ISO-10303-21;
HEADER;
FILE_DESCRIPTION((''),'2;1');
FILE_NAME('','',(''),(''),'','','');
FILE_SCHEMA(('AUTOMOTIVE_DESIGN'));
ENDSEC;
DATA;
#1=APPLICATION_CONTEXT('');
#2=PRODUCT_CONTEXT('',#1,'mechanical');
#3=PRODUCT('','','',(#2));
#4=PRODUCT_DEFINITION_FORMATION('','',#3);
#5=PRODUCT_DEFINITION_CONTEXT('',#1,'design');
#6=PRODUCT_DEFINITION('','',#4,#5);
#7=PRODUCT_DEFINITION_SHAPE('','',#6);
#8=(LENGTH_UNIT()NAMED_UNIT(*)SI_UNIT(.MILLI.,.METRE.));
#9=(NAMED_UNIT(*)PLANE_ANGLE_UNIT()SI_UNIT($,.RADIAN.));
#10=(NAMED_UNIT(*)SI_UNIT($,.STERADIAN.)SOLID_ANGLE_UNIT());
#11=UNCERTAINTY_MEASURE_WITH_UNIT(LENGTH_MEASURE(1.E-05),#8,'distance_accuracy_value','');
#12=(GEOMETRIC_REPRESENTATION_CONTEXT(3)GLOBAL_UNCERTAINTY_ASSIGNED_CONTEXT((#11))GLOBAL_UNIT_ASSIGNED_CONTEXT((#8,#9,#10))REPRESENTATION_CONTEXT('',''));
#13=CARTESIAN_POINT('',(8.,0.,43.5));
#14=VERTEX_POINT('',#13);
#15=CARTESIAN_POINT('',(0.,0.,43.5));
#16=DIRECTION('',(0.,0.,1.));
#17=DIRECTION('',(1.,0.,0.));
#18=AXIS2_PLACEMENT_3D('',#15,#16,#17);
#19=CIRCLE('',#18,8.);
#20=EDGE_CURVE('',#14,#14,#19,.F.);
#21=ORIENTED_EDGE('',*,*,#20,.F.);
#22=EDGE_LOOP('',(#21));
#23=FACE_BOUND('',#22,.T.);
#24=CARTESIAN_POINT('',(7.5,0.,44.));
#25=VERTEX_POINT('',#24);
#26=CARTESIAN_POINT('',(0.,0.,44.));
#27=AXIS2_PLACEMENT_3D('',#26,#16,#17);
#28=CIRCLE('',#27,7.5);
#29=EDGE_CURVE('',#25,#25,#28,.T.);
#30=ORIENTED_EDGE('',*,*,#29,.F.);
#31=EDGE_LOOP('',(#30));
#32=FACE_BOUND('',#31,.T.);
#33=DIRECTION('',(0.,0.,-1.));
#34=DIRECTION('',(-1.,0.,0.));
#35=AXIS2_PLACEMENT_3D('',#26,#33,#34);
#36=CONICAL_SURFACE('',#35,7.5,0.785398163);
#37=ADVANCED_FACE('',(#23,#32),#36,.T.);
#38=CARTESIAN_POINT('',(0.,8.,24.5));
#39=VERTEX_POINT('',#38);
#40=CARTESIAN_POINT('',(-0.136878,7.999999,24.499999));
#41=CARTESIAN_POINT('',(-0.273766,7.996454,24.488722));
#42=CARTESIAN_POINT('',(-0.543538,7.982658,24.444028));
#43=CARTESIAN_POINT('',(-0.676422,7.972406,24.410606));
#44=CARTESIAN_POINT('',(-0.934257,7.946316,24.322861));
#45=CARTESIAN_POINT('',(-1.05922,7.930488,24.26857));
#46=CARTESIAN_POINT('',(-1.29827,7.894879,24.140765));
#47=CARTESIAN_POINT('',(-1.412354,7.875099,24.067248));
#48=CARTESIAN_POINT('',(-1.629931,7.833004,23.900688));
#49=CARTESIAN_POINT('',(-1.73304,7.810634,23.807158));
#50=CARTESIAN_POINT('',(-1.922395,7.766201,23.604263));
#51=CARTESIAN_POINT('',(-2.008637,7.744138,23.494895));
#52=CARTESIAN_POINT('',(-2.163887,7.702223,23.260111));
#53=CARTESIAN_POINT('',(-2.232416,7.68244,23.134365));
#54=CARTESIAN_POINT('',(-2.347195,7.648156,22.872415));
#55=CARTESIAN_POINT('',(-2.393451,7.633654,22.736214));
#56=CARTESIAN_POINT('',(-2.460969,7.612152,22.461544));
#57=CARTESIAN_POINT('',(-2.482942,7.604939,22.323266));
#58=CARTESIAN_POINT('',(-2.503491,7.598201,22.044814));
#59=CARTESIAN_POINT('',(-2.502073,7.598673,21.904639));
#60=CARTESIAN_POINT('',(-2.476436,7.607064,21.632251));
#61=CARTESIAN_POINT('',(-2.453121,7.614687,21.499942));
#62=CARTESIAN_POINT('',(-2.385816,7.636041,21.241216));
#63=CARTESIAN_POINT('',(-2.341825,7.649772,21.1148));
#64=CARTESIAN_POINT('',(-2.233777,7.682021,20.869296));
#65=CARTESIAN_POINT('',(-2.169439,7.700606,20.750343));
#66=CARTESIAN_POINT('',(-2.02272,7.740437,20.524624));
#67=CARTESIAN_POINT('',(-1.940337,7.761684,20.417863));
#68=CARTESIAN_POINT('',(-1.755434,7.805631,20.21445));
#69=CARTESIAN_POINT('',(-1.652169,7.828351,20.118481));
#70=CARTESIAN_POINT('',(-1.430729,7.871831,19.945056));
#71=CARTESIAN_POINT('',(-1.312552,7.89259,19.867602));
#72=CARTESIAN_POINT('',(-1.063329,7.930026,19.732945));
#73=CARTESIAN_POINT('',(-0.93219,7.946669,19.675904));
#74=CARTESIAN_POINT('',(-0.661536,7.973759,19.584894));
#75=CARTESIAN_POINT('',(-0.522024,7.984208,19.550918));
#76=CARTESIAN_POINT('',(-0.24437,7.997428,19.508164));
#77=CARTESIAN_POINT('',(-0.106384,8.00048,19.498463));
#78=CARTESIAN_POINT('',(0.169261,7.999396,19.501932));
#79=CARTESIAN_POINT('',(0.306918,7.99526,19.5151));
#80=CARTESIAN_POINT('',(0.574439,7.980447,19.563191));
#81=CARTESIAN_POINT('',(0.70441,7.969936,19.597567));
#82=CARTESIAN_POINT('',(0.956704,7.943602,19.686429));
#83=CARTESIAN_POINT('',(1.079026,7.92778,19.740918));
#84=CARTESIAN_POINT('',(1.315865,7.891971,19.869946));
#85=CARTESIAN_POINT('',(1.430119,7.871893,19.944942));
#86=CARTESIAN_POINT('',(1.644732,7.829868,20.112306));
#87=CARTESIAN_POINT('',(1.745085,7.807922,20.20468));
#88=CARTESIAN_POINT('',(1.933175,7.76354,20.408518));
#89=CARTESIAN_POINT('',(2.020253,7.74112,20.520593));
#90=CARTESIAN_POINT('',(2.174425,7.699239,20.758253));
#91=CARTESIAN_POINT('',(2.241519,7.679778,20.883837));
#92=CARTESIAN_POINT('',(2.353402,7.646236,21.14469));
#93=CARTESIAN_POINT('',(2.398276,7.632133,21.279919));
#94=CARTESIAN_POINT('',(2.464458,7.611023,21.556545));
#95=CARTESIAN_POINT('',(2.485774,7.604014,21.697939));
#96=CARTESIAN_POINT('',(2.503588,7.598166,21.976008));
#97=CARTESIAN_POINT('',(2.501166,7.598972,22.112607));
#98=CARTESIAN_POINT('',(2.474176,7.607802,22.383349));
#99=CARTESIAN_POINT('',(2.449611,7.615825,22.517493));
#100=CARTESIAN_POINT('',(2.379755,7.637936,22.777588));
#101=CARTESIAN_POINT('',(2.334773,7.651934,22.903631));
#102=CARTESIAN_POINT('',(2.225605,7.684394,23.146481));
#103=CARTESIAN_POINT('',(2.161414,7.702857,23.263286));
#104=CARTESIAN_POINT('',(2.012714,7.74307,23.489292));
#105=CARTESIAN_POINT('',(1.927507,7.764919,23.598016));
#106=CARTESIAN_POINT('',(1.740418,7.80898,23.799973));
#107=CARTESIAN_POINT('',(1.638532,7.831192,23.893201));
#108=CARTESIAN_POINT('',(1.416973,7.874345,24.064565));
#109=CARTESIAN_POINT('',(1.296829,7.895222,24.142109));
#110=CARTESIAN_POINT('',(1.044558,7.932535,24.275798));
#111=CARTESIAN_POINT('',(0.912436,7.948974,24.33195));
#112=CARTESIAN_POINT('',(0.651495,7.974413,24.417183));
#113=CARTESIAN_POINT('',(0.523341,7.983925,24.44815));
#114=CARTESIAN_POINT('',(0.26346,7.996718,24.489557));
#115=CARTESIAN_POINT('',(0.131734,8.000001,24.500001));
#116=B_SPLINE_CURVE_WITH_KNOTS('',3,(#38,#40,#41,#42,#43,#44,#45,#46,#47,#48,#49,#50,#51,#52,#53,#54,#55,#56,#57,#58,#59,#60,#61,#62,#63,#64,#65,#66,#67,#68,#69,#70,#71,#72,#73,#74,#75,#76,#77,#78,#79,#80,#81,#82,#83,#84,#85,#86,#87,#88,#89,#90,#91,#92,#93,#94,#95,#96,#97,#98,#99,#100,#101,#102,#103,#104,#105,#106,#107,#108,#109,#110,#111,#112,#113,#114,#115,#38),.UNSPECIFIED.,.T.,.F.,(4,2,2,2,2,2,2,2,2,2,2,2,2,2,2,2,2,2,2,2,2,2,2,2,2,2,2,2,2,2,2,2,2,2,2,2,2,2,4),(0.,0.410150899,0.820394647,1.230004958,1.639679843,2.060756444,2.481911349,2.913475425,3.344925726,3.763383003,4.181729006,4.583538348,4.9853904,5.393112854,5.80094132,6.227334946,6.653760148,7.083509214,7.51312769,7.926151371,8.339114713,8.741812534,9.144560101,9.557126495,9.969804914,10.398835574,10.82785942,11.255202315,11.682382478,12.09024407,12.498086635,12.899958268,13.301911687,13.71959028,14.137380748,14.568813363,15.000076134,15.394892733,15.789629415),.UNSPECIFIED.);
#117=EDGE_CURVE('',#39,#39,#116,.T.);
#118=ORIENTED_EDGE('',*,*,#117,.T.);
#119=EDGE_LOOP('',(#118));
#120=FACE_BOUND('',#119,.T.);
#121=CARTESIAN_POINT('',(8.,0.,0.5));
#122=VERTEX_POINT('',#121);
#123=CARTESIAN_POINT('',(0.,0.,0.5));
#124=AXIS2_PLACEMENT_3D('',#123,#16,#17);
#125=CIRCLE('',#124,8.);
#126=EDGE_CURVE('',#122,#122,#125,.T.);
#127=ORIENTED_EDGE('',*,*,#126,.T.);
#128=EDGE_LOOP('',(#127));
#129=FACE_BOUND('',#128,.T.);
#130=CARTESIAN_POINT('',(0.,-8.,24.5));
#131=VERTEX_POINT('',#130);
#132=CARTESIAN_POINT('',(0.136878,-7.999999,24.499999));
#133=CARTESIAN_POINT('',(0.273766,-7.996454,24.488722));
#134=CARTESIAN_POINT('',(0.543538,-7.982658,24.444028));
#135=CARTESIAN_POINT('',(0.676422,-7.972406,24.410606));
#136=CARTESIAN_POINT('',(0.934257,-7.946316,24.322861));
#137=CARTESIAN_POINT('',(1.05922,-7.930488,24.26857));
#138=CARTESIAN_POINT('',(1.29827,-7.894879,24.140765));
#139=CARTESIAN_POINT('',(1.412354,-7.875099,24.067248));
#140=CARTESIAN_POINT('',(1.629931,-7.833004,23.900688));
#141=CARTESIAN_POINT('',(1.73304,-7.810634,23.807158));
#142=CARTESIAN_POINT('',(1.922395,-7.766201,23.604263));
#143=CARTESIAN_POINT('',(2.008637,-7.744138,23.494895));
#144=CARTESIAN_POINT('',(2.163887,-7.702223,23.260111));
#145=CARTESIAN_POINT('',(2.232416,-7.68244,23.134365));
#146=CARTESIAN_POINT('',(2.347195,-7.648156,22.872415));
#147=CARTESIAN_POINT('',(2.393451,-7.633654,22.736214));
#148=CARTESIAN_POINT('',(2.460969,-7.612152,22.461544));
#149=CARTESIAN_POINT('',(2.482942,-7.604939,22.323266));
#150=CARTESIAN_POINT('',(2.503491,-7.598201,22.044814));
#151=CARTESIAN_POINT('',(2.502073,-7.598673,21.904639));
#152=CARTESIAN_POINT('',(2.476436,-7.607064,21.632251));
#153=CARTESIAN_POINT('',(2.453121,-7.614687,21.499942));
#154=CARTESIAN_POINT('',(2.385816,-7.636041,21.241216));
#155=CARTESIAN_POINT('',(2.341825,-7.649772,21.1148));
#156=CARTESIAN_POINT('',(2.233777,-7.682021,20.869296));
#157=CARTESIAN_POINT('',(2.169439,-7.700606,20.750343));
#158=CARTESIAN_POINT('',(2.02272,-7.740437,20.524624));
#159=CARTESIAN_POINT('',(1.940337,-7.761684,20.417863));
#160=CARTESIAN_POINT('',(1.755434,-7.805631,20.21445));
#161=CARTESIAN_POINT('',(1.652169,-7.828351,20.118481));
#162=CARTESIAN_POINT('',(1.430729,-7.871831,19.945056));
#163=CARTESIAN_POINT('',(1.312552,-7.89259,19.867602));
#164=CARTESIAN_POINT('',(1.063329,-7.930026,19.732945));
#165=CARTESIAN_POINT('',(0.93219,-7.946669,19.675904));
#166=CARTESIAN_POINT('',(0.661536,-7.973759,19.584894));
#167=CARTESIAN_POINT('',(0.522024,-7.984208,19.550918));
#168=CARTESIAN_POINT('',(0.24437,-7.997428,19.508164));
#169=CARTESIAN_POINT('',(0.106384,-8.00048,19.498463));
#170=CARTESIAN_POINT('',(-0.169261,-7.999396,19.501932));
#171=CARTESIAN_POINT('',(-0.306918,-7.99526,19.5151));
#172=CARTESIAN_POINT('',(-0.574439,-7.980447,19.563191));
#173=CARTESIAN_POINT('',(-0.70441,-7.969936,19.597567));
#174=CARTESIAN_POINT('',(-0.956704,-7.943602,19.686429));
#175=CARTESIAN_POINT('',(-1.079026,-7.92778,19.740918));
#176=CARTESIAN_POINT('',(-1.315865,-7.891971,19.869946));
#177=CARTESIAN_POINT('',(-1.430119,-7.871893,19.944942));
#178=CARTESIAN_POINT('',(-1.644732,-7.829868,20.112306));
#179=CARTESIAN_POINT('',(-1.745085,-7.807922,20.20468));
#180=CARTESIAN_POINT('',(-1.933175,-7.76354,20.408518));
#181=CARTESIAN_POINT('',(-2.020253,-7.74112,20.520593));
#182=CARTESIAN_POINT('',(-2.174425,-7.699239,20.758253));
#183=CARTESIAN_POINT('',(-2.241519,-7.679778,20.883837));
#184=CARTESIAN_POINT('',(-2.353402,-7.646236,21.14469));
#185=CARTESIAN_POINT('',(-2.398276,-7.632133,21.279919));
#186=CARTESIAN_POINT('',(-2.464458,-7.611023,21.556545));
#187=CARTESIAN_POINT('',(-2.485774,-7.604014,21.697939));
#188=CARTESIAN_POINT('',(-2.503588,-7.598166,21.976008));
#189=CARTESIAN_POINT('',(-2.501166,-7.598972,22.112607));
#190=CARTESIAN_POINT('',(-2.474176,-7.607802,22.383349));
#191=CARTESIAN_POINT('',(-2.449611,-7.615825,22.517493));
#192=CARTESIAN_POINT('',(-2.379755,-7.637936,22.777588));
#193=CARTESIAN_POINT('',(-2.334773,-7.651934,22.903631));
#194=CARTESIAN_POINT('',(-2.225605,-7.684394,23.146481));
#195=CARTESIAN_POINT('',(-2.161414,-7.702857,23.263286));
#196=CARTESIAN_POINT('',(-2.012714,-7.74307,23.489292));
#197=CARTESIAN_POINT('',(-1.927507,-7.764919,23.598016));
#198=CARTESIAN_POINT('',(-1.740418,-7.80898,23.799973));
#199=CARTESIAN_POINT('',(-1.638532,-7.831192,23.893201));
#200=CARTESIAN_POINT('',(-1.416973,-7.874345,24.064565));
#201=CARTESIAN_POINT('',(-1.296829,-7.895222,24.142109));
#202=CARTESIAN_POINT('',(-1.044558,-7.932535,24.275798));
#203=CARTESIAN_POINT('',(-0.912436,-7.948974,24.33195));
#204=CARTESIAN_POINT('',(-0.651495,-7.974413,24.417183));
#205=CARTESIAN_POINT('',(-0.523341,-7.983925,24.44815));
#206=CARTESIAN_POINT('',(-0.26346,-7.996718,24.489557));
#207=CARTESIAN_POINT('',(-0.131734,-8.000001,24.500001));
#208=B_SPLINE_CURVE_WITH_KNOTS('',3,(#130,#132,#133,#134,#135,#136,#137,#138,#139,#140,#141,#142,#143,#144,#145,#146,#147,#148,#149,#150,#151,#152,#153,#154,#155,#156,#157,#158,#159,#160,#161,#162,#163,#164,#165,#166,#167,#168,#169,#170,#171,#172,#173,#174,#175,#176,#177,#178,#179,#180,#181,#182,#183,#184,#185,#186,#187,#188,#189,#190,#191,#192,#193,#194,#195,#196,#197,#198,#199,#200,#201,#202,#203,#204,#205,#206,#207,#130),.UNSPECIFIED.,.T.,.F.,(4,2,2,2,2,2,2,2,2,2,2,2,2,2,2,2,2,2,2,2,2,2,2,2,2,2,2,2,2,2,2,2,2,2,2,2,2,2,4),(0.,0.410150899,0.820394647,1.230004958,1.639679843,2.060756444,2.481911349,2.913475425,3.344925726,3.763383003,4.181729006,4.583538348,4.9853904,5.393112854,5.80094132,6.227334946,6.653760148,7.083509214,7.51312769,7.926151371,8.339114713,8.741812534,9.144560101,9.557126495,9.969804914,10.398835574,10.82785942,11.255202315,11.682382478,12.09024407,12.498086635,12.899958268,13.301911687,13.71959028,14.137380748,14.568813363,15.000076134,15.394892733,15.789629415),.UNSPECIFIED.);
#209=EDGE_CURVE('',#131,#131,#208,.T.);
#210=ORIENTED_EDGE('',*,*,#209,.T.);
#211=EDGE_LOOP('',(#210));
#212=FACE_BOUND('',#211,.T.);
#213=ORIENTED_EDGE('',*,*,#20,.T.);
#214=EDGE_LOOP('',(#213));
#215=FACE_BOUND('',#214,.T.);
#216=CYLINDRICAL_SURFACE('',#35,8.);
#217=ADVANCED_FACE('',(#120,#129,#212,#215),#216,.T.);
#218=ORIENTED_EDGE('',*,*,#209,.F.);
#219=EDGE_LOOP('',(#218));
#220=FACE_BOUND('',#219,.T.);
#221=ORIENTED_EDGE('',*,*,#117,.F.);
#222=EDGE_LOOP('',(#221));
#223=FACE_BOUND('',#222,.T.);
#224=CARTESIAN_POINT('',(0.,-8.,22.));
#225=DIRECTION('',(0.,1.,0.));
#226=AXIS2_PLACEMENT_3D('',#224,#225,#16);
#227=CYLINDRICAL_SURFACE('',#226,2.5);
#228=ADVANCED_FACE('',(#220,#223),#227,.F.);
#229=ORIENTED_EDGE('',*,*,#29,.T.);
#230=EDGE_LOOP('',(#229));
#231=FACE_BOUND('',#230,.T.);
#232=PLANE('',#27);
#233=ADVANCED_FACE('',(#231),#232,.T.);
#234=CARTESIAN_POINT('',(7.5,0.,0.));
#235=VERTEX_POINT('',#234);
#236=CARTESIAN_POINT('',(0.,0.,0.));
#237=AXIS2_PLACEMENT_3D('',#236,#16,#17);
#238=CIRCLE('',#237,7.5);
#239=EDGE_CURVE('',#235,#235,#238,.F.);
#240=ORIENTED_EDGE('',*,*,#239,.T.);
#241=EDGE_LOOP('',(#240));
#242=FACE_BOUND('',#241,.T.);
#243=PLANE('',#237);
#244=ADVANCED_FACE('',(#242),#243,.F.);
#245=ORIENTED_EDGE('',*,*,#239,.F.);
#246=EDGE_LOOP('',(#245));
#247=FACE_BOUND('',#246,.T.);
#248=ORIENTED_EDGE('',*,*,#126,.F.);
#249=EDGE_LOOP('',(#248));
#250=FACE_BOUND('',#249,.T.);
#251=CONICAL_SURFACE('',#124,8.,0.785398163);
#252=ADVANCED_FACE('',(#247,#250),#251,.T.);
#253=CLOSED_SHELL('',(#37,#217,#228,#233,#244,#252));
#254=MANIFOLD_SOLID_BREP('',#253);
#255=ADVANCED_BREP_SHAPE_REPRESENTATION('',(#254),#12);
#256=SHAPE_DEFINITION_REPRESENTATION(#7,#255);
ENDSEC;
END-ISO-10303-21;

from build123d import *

# Parameters (mm, degrees)
SKETCH1_R               = 8
BOSS_EXTRUDE1_DEPTH     = 44
SKETCH2_R               = 2.5
CUT_EXTRUDE1_DEPTH      = 9
CUT_EXTRUDE1_DEPTH_BACK = 9
CHAMFER1_SIZE           = 0.5


with BuildPart() as part:
    # Sketch1 → Boss-Extrude1 (new body)
    with BuildSketch(Plane.XY):
        Circle(SKETCH1_R)
    extrude(amount=BOSS_EXTRUDE1_DEPTH)

    # Sketch2 → Cut-Extrude1 (cut, two sides)
    with BuildSketch(Plane(origin=(0, 0, 0), x_dir=(1, 0, 0), z_dir=(0, 1, 0))) as cut_extrude1_sk:
        with Locations((0, -22)):
            Circle(SKETCH2_R)
    extrude(amount=CUT_EXTRUDE1_DEPTH, mode=Mode.SUBTRACT)
    extrude(cut_extrude1_sk.sketch, amount=-CUT_EXTRUDE1_DEPTH_BACK, mode=Mode.SUBTRACT)

    # Chamfer1
    chamfer1_edges = [part.edges().sort_by_distance(p)[0] for p in [
        (-8, 0, 0),
        (-8, 0, 44),
    ]]
    chamfer(chamfer1_edges, length=CHAMFER1_SIZE)


solid = part.part
